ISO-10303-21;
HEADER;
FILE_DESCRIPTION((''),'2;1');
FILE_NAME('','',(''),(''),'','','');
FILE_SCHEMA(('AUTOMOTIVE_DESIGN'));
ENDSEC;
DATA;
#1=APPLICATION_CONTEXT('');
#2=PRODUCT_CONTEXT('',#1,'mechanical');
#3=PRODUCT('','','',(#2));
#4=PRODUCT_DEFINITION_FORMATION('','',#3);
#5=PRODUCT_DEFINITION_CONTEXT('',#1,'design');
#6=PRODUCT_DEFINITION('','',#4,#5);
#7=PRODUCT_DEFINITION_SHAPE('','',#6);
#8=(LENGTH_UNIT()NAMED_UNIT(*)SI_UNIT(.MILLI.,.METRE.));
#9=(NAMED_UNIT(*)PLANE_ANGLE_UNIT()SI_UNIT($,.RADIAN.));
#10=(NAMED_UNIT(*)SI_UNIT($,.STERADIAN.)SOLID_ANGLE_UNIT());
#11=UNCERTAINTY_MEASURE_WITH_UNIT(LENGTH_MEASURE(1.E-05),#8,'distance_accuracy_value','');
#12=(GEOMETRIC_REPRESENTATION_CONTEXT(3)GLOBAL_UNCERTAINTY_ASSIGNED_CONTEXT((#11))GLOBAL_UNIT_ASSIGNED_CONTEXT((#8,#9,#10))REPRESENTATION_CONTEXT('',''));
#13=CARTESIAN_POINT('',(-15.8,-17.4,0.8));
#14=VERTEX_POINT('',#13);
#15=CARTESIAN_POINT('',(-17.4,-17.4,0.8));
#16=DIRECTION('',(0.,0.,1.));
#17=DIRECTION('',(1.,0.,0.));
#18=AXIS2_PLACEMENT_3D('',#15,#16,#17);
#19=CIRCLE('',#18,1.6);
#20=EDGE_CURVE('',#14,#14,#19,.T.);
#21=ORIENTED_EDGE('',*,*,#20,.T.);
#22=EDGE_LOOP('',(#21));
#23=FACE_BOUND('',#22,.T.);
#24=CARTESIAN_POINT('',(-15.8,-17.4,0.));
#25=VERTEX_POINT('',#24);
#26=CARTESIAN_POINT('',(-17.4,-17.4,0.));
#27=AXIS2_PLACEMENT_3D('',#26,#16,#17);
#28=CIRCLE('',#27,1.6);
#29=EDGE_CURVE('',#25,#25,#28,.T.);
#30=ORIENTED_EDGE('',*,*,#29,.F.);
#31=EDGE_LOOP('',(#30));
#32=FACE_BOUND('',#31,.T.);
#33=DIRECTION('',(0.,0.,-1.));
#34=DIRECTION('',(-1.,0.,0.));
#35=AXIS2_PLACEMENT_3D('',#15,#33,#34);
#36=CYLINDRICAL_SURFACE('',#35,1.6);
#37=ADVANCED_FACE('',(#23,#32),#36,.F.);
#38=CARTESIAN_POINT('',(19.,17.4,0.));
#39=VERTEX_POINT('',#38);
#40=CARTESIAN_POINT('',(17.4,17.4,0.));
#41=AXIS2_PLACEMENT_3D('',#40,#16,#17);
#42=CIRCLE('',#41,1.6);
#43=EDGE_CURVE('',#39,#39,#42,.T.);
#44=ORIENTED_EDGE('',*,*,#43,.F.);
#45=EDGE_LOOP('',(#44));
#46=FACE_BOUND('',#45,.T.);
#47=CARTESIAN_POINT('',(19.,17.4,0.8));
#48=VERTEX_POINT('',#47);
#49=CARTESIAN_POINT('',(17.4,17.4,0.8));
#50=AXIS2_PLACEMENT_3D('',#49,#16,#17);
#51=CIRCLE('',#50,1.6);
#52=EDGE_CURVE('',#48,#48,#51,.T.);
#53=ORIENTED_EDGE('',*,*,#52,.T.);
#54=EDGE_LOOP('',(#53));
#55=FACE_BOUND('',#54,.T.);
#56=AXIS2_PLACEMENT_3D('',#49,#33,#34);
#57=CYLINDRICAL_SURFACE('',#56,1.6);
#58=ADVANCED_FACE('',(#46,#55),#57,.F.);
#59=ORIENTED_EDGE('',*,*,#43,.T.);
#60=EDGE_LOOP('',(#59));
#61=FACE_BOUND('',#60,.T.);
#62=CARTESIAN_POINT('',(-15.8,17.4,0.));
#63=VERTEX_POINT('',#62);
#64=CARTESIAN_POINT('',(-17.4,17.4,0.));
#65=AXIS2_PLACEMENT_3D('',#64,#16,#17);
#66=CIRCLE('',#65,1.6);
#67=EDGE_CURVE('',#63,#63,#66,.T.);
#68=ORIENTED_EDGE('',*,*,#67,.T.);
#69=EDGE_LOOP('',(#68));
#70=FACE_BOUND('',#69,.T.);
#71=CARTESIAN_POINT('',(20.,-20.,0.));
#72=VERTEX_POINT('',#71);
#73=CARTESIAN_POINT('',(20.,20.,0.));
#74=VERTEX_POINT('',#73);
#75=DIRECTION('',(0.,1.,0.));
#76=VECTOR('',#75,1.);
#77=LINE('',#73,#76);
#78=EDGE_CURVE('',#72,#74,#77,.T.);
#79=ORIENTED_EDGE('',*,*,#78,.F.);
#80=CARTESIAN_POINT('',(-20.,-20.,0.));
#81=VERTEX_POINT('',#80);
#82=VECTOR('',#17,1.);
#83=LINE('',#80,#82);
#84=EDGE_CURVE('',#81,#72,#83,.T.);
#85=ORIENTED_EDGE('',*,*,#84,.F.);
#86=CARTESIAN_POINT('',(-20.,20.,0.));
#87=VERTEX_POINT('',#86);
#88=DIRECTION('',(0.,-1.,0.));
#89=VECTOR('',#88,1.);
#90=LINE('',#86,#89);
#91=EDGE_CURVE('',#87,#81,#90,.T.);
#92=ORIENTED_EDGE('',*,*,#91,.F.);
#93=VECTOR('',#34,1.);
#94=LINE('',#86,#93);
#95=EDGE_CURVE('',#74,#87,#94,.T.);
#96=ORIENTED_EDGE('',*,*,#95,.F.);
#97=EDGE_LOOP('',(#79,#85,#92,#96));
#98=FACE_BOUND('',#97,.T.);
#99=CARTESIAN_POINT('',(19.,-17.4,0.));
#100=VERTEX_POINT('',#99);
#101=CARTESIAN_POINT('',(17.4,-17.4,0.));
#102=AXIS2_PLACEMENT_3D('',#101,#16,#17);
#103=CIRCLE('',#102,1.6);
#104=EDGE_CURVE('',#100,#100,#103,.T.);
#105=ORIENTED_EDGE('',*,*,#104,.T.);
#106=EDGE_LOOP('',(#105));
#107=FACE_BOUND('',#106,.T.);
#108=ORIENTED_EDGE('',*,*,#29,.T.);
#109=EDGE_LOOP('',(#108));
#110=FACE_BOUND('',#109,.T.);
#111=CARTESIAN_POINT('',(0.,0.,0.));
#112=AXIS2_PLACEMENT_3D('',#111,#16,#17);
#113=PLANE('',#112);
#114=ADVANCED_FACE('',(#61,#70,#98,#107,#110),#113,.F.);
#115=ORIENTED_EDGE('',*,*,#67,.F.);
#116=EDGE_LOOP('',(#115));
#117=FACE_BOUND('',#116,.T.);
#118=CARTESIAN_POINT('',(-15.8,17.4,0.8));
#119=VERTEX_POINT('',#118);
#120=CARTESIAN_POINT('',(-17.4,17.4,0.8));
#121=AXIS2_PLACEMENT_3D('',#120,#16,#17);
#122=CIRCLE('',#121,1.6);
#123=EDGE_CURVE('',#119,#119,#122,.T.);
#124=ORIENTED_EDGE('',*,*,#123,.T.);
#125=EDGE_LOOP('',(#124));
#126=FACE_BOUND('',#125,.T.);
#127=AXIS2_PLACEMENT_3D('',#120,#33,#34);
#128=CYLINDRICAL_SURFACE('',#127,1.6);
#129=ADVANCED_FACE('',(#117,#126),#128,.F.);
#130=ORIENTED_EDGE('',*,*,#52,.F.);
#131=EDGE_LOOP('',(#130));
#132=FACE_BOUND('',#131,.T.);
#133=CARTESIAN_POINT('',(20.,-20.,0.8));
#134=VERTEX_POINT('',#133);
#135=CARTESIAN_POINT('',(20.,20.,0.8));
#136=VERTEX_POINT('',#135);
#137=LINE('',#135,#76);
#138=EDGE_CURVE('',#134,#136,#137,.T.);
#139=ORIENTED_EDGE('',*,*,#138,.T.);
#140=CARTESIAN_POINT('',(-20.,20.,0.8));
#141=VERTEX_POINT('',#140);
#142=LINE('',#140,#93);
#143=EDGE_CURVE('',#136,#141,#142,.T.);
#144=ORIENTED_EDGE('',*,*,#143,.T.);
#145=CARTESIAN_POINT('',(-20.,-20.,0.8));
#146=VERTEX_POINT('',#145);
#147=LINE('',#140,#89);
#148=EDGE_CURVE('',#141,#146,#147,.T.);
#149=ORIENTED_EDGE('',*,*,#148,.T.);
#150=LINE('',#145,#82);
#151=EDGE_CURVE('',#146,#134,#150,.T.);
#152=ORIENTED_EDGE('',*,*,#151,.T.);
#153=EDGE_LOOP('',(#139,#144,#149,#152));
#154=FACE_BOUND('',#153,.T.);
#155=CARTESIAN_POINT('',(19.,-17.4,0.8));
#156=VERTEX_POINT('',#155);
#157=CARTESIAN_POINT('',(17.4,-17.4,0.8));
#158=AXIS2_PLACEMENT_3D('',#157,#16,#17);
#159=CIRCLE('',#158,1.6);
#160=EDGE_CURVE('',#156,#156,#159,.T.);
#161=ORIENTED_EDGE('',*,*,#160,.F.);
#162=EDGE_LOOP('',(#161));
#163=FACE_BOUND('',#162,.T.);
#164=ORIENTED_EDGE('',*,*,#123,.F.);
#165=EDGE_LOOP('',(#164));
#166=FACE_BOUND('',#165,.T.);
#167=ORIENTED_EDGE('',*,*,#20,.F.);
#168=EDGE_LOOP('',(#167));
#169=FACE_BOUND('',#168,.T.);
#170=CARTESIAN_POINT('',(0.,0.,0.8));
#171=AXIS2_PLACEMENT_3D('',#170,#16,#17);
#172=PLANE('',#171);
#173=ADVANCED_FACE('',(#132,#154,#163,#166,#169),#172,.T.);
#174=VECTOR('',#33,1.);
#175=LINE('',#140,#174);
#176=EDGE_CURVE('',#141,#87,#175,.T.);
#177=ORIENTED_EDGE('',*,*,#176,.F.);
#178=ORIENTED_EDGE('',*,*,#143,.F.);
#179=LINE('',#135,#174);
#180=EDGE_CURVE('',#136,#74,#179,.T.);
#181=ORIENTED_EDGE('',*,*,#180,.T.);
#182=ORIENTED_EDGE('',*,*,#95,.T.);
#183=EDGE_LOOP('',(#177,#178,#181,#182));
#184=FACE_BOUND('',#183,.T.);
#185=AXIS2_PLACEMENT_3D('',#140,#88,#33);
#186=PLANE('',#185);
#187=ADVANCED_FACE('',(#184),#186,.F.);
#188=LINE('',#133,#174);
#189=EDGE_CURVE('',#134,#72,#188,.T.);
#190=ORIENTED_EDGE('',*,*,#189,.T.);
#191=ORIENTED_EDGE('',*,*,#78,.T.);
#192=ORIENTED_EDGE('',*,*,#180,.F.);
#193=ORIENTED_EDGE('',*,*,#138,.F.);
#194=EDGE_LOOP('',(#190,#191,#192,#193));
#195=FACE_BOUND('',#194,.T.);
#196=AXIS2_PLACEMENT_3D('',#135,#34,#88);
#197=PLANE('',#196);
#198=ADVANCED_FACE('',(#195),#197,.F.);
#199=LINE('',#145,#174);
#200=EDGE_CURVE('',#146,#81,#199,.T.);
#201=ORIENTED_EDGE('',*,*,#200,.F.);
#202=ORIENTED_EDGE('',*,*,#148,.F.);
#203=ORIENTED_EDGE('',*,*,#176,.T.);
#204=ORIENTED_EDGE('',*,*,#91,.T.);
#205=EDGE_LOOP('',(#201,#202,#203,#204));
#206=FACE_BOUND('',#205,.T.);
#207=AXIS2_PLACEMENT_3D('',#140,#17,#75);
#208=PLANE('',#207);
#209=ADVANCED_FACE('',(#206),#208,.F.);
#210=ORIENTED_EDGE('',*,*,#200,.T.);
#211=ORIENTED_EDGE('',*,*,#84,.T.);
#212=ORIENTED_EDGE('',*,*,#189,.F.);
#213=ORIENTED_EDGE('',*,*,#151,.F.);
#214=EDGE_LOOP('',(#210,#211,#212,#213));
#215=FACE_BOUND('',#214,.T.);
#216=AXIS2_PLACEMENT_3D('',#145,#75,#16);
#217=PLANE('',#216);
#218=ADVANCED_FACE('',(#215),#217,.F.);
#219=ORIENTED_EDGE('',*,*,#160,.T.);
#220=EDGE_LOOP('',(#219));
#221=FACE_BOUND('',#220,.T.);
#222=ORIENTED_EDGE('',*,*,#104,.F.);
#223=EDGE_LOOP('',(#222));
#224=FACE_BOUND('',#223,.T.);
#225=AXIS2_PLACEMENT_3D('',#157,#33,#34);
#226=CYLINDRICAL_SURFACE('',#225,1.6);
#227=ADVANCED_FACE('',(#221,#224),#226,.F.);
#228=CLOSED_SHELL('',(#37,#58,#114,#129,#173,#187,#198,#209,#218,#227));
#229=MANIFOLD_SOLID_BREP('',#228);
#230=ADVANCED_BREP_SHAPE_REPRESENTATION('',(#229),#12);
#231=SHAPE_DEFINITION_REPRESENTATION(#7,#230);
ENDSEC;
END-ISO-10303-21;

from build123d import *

# Parameters (mm, degrees)
SKETCH1_W           = 40
SKETCH1_H           = 40
BOSS_EXTRUDE1_DEPTH = 0.8
SKETCH2_R           = 1.6
CUT_EXTRUDE1_DEPTH  = 0.8


with BuildPart() as part:
    # Sketch1 → Boss-Extrude1 (new body)
    with BuildSketch(Plane.XY):
        Rectangle(SKETCH1_W, SKETCH1_H)
    extrude(amount=BOSS_EXTRUDE1_DEPTH)

    # Sketch2 → Cut-Extrude1 (cut)
    with BuildSketch(Plane.XY):
        with Locations((-17.4, -17.4)):
            Circle(SKETCH2_R)
        with Locations((-17.4, 17.4)):
            Circle(SKETCH2_R)
        with Locations((17.4, 17.4)):
            Circle(SKETCH2_R)
        with Locations((17.4, -17.4)):
            Circle(SKETCH2_R)
    extrude(amount=CUT_EXTRUDE1_DEPTH, mode=Mode.SUBTRACT)


solid = part.part
